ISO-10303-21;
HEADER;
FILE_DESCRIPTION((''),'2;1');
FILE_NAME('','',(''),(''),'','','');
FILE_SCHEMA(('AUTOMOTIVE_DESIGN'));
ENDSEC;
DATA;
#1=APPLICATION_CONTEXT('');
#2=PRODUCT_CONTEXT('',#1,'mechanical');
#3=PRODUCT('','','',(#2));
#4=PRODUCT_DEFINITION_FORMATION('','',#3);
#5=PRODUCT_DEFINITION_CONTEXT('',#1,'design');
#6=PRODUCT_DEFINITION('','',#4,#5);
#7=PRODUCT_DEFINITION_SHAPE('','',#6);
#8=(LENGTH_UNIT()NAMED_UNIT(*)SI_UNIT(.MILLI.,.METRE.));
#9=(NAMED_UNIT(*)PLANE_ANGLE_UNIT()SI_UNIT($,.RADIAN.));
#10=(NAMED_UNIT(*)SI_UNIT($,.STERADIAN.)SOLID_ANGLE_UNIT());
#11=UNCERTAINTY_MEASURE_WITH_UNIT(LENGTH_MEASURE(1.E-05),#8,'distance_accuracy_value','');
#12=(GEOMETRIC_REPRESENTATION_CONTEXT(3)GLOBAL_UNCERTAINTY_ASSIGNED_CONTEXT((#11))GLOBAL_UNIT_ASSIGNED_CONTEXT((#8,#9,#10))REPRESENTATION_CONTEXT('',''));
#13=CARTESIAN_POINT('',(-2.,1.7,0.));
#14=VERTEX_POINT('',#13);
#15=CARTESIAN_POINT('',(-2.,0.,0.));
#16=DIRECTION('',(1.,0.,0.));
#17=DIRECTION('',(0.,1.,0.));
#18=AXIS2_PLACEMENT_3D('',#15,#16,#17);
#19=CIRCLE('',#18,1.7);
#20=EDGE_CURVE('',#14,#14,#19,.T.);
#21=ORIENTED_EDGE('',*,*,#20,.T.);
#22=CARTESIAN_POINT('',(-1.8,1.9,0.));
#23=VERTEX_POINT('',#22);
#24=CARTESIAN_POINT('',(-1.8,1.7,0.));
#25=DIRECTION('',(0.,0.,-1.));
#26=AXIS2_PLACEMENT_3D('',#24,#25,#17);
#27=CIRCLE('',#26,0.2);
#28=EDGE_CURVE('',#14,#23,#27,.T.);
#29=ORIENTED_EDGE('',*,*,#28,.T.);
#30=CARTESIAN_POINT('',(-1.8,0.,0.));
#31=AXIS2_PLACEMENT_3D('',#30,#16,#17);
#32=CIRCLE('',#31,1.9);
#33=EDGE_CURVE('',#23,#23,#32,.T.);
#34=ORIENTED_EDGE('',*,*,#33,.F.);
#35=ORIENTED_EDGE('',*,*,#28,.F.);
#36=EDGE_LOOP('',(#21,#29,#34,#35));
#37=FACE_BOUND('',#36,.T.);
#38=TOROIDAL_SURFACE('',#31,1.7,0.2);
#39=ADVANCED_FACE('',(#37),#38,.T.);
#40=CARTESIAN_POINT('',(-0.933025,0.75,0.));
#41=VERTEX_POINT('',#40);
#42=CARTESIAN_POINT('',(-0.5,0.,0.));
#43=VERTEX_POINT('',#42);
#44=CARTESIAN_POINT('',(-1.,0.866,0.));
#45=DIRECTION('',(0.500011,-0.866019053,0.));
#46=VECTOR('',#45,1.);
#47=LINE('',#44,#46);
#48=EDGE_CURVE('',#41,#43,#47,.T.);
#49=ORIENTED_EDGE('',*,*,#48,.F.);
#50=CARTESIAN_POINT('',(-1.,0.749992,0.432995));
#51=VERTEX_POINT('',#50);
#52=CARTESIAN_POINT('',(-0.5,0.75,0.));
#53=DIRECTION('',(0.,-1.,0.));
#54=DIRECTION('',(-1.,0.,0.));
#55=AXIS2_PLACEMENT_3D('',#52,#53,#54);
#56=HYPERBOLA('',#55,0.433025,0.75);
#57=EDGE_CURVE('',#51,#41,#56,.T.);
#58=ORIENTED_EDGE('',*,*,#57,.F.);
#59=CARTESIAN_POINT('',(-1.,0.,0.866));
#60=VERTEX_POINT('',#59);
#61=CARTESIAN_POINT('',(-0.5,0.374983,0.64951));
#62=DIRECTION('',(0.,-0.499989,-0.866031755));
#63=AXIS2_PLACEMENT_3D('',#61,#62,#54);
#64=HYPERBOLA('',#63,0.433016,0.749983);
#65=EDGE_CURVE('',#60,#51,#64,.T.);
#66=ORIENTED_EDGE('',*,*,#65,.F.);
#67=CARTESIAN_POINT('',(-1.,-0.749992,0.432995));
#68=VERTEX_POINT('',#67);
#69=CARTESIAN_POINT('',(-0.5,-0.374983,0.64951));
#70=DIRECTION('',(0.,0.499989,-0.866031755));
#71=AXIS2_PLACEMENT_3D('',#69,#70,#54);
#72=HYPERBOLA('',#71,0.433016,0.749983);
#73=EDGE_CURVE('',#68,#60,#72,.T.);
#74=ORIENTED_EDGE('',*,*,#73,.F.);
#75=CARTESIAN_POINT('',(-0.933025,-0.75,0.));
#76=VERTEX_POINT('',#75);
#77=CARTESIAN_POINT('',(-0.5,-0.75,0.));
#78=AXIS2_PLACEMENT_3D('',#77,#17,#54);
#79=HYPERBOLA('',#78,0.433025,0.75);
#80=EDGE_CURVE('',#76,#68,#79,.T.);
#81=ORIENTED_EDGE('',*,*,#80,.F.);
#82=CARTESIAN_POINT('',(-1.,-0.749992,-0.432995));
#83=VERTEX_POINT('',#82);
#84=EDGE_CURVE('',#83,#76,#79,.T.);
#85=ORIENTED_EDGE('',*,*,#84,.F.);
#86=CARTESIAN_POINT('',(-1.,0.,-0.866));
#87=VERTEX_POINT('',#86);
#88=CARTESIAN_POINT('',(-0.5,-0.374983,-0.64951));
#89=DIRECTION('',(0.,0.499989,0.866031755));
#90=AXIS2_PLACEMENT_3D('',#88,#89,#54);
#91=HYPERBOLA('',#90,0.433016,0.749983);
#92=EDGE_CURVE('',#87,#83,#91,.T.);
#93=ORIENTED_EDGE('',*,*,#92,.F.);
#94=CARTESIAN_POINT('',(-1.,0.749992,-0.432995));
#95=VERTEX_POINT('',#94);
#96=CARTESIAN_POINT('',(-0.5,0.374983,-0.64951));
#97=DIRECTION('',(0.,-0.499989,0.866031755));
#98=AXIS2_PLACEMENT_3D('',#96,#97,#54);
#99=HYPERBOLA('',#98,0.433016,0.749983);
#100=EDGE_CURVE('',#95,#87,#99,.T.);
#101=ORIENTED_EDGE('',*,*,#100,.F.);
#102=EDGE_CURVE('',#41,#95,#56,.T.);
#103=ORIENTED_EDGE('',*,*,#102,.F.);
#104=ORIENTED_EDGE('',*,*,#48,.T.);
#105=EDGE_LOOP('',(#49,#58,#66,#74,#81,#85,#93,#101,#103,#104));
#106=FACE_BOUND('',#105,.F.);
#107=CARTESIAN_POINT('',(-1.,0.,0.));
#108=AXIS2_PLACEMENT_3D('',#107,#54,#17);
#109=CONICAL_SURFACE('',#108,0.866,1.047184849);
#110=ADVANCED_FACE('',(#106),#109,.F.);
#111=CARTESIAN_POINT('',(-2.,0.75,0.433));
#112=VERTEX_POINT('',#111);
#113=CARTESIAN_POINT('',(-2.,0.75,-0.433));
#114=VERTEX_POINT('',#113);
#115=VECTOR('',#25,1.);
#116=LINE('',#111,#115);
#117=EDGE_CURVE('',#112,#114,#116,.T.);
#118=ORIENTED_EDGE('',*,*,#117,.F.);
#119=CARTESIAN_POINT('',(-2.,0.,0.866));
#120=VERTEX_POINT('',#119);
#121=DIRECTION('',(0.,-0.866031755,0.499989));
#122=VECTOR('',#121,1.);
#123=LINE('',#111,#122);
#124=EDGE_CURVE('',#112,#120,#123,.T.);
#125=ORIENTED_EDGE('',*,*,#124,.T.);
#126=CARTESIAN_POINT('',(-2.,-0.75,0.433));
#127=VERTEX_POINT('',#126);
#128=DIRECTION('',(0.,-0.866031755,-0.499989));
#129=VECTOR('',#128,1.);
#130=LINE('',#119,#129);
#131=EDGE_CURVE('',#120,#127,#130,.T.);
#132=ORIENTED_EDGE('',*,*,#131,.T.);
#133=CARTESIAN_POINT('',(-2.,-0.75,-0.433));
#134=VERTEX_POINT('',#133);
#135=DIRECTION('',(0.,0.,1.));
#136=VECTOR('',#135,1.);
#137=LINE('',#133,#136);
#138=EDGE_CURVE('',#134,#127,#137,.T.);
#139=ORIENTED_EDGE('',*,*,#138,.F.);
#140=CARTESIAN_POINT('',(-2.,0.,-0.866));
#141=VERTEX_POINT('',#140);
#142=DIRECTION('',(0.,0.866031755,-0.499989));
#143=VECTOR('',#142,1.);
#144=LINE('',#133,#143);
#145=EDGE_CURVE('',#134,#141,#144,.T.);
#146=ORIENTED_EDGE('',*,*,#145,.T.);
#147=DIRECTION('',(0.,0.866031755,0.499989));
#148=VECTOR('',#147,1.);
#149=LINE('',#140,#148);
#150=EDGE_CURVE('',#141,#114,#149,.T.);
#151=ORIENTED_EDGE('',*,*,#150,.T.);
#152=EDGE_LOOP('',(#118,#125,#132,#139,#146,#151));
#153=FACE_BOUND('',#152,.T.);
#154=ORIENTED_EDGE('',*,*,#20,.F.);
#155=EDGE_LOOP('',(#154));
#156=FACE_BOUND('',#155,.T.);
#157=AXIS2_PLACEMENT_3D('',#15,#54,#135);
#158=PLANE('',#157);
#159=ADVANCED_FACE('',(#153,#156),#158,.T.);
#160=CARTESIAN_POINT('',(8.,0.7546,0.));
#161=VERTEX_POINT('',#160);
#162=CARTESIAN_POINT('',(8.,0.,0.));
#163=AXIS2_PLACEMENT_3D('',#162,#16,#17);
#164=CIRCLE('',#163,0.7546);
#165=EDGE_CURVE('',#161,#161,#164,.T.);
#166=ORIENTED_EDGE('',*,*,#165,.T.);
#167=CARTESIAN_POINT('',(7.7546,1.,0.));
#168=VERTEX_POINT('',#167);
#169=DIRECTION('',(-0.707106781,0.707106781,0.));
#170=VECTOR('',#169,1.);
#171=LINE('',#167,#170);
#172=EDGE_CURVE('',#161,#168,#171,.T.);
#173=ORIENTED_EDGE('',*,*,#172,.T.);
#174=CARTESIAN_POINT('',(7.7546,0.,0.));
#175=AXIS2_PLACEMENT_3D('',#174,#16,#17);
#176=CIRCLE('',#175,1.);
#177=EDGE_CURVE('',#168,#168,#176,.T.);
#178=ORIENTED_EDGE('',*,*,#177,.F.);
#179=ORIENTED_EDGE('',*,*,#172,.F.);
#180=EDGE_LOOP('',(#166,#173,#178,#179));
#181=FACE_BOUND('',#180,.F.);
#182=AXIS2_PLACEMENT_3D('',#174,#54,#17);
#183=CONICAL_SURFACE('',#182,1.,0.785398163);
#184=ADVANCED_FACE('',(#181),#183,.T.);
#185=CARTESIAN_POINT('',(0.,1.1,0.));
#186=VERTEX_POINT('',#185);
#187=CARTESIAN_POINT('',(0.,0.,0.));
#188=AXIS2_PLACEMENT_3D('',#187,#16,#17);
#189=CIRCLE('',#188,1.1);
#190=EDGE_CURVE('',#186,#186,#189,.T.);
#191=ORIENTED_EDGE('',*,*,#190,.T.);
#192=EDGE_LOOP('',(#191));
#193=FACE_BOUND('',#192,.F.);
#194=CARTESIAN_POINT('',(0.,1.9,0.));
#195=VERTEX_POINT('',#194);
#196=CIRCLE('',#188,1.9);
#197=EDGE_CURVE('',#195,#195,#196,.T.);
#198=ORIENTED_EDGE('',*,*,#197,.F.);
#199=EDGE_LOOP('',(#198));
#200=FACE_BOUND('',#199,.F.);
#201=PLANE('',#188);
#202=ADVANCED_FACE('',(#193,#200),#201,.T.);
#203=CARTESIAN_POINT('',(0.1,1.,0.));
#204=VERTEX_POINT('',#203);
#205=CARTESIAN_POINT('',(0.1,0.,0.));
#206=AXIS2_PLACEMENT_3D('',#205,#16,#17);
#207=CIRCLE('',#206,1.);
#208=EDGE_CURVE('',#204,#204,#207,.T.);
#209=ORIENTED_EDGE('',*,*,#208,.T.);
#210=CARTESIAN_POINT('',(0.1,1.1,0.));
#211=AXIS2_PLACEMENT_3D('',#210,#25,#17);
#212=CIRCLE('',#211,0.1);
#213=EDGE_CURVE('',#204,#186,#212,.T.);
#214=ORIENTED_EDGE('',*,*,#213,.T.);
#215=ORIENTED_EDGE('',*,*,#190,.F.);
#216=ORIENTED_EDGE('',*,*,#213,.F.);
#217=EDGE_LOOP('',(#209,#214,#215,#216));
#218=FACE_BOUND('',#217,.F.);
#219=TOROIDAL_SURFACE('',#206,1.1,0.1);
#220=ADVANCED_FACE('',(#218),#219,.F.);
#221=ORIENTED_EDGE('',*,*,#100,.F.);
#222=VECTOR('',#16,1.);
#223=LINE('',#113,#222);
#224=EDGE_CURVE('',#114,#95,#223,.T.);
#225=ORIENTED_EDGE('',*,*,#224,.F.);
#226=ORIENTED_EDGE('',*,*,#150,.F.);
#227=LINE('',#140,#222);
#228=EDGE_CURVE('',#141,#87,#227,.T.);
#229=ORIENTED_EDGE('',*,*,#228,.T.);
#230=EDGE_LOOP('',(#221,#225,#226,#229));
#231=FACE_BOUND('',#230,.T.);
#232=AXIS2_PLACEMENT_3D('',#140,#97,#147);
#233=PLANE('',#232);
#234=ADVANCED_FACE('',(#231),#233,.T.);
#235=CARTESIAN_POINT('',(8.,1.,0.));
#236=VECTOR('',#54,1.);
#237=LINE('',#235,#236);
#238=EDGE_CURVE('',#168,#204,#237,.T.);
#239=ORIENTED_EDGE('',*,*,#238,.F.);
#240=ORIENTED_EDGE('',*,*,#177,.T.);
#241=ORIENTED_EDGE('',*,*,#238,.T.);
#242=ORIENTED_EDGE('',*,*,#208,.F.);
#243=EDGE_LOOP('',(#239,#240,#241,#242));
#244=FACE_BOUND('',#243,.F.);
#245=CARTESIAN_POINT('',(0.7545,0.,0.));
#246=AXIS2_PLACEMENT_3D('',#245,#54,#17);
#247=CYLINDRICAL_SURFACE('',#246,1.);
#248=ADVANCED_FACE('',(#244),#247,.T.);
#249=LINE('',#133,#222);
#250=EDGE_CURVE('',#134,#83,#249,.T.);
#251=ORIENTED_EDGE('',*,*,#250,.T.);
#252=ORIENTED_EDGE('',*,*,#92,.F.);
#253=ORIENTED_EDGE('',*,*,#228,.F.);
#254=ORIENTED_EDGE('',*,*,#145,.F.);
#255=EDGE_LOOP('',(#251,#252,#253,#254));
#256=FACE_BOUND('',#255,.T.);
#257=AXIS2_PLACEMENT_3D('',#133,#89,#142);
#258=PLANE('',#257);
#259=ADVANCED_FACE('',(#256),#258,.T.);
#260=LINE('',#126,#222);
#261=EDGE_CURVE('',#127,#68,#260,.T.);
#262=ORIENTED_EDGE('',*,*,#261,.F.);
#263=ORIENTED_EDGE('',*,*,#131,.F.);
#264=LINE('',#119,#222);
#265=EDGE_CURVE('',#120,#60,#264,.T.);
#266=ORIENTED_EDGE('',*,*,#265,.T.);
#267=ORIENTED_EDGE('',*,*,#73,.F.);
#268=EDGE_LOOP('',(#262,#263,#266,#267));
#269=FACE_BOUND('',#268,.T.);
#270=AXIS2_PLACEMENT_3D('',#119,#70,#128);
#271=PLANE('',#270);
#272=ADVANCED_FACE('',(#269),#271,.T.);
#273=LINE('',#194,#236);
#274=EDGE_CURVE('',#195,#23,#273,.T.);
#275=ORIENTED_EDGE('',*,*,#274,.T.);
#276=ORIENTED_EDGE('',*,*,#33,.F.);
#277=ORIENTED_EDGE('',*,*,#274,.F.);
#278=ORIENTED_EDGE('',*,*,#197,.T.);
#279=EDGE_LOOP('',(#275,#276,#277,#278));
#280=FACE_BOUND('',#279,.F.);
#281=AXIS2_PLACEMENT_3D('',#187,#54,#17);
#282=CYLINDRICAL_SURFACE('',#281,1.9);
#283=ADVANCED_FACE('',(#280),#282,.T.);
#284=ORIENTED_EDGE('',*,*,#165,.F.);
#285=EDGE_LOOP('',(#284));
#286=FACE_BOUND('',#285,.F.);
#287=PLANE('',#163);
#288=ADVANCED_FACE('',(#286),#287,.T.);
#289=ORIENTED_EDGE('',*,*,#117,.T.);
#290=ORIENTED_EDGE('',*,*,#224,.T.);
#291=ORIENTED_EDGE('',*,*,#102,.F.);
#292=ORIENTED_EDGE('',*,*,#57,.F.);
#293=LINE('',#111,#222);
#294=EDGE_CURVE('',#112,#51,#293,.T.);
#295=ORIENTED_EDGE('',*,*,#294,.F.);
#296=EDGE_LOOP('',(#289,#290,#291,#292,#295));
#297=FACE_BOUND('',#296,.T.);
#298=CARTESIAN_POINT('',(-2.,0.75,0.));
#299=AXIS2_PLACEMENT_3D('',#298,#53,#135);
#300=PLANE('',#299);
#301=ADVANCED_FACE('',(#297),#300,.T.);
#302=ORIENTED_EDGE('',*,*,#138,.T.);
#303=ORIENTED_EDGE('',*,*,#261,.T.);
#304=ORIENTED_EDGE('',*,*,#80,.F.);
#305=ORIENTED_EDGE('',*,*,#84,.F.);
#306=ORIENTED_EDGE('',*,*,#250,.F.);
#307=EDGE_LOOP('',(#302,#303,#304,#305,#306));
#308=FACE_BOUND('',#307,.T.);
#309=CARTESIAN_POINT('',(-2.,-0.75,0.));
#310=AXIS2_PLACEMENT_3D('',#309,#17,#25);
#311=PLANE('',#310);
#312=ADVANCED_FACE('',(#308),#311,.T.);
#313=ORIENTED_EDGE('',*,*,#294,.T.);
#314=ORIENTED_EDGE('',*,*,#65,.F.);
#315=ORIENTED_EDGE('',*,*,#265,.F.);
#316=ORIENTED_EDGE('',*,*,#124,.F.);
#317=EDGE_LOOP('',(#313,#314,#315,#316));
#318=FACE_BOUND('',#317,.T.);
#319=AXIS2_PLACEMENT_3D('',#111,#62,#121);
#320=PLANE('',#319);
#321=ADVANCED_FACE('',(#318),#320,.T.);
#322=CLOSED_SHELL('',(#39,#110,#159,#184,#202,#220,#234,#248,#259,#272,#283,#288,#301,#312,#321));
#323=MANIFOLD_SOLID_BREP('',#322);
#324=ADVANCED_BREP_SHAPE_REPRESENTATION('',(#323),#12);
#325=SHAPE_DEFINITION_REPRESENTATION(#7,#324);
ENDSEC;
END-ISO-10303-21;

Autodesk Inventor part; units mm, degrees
ref_plane "YZ Plane" through (0, 0, 0) normal (1, 0, 0) x (0, 1, 0)
ref_plane "XZ Plane" through (0, 0, 0) normal (0, 1, 0) x (-1, 0, 0)
sketch "Skizze1" plane through (0, 0, 0) normal (0, 0, 1) x (1, 0, 0)
  line L0 (-0.5, 0) -> (8, 0)
  line L1 (8, 0) -> (8, 1)
  line L2 (8, 1) -> (1, 1)
  line L3 (1, 1) -> (0.7545, 1)
  line L4 (0.7545, 1) -> (0, 1)
  line L5 (0, 1) -> (0, 1.9)
  line L6 (0, 1.9) -> (-2, 1.9)
  line L7 (-2, 1.9) -> (-2, 0.866)
  line L8 (-2, 0.866) -> (-1, 0.866)
  line L9 (-1, 0.866) -> (-0.5, 0)
  line L10 (-4, 0) -> (10, 0) projected
  line L11 (0, -0.38) -> (0, 2.28) projected
  line L12 (1, 1) -> (0, 1) construction
  dimension "d1" = 7
  dimension "d2" = 0.2455
  dimension "d3" = 2
  dimension "d4" = 1
  dimension "d5" = 60
  dimension "d6" = 2
  dimension "d7" = 2
  dimension "d8" = 1.7321
  dimension "d9" = 3.8
  dimension "d26" = 8
revolve "Körper" add sketch "Skizze1" angle 360 about axis through (-0.5, 0, 0) along (1, 0, 0)
sketch "Skizze2" plane through (-2, 0, 0) normal (-1, 0, 0) x (0, 0, 1)
  circle A0 centre (0, 0) radius 0.866 projected
  line L0 (0, -2.66) -> (0, 2.66) projected
  line L1 (-2.66, 0) -> (2.66, 0) projected
  line L2 (0.866, 0) -> (0.433, -0.75)
  line L3 (0.433, -0.75) -> (-0.433, -0.75)
  line L4 (-0.433, -0.75) -> (-0.866, 0)
  line L5 (-0.866, 0) -> (-0.433, 0.75)
  line L6 (-0.433, 0.75) -> (0.433, 0.75)
  line L7 (0.433, 0.75) -> (0.866, 0)
  point P0 (0, 0)
extrude "Loch" add sketch "Skizze2" against normal up to next contours L7 A0 | A0 L2 | L6 L0 A0 | A0 L0 L3 | L0 L6 A0 | A0 L3 L0 | L4 A0 | A0 L5
fillet "Rundung1" radius 0.2 1 edges at (-2, -1.9, 0)
thread "Gewinde" size "M2x0.4" class "6g" standard "ISO Metric profile" length 7
chamfer "Fase1" distance 0.2454 distance2 0.2454 1 edges at (8, -1, 0) measured on face at (8, 0.1182, 0.3117)
ref_plane "Work Plane1" through (29, 0, 0) normal (0, -1, 0) x (1, 0, 0)
fillet "Fillet2" radius 0.1 1 edges at (0, -1, 0)
equation "\"d1\" = GEL"
equation "\"d3\" = KOH"
equation "\"d4\" = INTI"
equation "\"d6\" = GD"
equation "\"d7\" = BDM"
equation "\"d8\" = 1.1547 * SW"
equation "\"d9\" = KOD"
equation "\"d26\" = NLG"
equation "\"d30\" = R"
equation "\"d17\" = RR"
equation "\"d13\" = GEL"
equation "\"d15\" = -0.5 * SPD + 0.5 * GD"
equation "\"d16\" = GUL"
equation "\"GD\" = 2"
equation "\"NLG\" = 8"
equation "\"GEL\" = 7"
equation "\"KOD\" = 3.8"
equation "\"KOH\" = 2"
equation "\"INTI\" = 1"
equation "\"GAL\" = 0.61345 * PTC"
equation "\"GUL\" = 0.61345 * PTC"
equation "\"BDM\" = NND"
equation "\"SW\" = 1.5"
equation "\"RR\" = 0.2"
equation "\"SPD\" = NND - 1.2269 * PTC"
equation "\"R\" = 0.1"
equation "\"TOA\" = 30deg"
equation "\"GD1\" = THREADDIA - 1.2269 * PTC"
equation "\"THREADDIA\" = 2"
equation "\"FAWI\" = 45deg"
equation "\"PTC\" = 0.4"
equation "\"NND\" = 2"
equation "\"E0\" = 1.155 * SW"
properties part number "ISO 4762 - M2 x 8" material "Edelstahl, 440C"
